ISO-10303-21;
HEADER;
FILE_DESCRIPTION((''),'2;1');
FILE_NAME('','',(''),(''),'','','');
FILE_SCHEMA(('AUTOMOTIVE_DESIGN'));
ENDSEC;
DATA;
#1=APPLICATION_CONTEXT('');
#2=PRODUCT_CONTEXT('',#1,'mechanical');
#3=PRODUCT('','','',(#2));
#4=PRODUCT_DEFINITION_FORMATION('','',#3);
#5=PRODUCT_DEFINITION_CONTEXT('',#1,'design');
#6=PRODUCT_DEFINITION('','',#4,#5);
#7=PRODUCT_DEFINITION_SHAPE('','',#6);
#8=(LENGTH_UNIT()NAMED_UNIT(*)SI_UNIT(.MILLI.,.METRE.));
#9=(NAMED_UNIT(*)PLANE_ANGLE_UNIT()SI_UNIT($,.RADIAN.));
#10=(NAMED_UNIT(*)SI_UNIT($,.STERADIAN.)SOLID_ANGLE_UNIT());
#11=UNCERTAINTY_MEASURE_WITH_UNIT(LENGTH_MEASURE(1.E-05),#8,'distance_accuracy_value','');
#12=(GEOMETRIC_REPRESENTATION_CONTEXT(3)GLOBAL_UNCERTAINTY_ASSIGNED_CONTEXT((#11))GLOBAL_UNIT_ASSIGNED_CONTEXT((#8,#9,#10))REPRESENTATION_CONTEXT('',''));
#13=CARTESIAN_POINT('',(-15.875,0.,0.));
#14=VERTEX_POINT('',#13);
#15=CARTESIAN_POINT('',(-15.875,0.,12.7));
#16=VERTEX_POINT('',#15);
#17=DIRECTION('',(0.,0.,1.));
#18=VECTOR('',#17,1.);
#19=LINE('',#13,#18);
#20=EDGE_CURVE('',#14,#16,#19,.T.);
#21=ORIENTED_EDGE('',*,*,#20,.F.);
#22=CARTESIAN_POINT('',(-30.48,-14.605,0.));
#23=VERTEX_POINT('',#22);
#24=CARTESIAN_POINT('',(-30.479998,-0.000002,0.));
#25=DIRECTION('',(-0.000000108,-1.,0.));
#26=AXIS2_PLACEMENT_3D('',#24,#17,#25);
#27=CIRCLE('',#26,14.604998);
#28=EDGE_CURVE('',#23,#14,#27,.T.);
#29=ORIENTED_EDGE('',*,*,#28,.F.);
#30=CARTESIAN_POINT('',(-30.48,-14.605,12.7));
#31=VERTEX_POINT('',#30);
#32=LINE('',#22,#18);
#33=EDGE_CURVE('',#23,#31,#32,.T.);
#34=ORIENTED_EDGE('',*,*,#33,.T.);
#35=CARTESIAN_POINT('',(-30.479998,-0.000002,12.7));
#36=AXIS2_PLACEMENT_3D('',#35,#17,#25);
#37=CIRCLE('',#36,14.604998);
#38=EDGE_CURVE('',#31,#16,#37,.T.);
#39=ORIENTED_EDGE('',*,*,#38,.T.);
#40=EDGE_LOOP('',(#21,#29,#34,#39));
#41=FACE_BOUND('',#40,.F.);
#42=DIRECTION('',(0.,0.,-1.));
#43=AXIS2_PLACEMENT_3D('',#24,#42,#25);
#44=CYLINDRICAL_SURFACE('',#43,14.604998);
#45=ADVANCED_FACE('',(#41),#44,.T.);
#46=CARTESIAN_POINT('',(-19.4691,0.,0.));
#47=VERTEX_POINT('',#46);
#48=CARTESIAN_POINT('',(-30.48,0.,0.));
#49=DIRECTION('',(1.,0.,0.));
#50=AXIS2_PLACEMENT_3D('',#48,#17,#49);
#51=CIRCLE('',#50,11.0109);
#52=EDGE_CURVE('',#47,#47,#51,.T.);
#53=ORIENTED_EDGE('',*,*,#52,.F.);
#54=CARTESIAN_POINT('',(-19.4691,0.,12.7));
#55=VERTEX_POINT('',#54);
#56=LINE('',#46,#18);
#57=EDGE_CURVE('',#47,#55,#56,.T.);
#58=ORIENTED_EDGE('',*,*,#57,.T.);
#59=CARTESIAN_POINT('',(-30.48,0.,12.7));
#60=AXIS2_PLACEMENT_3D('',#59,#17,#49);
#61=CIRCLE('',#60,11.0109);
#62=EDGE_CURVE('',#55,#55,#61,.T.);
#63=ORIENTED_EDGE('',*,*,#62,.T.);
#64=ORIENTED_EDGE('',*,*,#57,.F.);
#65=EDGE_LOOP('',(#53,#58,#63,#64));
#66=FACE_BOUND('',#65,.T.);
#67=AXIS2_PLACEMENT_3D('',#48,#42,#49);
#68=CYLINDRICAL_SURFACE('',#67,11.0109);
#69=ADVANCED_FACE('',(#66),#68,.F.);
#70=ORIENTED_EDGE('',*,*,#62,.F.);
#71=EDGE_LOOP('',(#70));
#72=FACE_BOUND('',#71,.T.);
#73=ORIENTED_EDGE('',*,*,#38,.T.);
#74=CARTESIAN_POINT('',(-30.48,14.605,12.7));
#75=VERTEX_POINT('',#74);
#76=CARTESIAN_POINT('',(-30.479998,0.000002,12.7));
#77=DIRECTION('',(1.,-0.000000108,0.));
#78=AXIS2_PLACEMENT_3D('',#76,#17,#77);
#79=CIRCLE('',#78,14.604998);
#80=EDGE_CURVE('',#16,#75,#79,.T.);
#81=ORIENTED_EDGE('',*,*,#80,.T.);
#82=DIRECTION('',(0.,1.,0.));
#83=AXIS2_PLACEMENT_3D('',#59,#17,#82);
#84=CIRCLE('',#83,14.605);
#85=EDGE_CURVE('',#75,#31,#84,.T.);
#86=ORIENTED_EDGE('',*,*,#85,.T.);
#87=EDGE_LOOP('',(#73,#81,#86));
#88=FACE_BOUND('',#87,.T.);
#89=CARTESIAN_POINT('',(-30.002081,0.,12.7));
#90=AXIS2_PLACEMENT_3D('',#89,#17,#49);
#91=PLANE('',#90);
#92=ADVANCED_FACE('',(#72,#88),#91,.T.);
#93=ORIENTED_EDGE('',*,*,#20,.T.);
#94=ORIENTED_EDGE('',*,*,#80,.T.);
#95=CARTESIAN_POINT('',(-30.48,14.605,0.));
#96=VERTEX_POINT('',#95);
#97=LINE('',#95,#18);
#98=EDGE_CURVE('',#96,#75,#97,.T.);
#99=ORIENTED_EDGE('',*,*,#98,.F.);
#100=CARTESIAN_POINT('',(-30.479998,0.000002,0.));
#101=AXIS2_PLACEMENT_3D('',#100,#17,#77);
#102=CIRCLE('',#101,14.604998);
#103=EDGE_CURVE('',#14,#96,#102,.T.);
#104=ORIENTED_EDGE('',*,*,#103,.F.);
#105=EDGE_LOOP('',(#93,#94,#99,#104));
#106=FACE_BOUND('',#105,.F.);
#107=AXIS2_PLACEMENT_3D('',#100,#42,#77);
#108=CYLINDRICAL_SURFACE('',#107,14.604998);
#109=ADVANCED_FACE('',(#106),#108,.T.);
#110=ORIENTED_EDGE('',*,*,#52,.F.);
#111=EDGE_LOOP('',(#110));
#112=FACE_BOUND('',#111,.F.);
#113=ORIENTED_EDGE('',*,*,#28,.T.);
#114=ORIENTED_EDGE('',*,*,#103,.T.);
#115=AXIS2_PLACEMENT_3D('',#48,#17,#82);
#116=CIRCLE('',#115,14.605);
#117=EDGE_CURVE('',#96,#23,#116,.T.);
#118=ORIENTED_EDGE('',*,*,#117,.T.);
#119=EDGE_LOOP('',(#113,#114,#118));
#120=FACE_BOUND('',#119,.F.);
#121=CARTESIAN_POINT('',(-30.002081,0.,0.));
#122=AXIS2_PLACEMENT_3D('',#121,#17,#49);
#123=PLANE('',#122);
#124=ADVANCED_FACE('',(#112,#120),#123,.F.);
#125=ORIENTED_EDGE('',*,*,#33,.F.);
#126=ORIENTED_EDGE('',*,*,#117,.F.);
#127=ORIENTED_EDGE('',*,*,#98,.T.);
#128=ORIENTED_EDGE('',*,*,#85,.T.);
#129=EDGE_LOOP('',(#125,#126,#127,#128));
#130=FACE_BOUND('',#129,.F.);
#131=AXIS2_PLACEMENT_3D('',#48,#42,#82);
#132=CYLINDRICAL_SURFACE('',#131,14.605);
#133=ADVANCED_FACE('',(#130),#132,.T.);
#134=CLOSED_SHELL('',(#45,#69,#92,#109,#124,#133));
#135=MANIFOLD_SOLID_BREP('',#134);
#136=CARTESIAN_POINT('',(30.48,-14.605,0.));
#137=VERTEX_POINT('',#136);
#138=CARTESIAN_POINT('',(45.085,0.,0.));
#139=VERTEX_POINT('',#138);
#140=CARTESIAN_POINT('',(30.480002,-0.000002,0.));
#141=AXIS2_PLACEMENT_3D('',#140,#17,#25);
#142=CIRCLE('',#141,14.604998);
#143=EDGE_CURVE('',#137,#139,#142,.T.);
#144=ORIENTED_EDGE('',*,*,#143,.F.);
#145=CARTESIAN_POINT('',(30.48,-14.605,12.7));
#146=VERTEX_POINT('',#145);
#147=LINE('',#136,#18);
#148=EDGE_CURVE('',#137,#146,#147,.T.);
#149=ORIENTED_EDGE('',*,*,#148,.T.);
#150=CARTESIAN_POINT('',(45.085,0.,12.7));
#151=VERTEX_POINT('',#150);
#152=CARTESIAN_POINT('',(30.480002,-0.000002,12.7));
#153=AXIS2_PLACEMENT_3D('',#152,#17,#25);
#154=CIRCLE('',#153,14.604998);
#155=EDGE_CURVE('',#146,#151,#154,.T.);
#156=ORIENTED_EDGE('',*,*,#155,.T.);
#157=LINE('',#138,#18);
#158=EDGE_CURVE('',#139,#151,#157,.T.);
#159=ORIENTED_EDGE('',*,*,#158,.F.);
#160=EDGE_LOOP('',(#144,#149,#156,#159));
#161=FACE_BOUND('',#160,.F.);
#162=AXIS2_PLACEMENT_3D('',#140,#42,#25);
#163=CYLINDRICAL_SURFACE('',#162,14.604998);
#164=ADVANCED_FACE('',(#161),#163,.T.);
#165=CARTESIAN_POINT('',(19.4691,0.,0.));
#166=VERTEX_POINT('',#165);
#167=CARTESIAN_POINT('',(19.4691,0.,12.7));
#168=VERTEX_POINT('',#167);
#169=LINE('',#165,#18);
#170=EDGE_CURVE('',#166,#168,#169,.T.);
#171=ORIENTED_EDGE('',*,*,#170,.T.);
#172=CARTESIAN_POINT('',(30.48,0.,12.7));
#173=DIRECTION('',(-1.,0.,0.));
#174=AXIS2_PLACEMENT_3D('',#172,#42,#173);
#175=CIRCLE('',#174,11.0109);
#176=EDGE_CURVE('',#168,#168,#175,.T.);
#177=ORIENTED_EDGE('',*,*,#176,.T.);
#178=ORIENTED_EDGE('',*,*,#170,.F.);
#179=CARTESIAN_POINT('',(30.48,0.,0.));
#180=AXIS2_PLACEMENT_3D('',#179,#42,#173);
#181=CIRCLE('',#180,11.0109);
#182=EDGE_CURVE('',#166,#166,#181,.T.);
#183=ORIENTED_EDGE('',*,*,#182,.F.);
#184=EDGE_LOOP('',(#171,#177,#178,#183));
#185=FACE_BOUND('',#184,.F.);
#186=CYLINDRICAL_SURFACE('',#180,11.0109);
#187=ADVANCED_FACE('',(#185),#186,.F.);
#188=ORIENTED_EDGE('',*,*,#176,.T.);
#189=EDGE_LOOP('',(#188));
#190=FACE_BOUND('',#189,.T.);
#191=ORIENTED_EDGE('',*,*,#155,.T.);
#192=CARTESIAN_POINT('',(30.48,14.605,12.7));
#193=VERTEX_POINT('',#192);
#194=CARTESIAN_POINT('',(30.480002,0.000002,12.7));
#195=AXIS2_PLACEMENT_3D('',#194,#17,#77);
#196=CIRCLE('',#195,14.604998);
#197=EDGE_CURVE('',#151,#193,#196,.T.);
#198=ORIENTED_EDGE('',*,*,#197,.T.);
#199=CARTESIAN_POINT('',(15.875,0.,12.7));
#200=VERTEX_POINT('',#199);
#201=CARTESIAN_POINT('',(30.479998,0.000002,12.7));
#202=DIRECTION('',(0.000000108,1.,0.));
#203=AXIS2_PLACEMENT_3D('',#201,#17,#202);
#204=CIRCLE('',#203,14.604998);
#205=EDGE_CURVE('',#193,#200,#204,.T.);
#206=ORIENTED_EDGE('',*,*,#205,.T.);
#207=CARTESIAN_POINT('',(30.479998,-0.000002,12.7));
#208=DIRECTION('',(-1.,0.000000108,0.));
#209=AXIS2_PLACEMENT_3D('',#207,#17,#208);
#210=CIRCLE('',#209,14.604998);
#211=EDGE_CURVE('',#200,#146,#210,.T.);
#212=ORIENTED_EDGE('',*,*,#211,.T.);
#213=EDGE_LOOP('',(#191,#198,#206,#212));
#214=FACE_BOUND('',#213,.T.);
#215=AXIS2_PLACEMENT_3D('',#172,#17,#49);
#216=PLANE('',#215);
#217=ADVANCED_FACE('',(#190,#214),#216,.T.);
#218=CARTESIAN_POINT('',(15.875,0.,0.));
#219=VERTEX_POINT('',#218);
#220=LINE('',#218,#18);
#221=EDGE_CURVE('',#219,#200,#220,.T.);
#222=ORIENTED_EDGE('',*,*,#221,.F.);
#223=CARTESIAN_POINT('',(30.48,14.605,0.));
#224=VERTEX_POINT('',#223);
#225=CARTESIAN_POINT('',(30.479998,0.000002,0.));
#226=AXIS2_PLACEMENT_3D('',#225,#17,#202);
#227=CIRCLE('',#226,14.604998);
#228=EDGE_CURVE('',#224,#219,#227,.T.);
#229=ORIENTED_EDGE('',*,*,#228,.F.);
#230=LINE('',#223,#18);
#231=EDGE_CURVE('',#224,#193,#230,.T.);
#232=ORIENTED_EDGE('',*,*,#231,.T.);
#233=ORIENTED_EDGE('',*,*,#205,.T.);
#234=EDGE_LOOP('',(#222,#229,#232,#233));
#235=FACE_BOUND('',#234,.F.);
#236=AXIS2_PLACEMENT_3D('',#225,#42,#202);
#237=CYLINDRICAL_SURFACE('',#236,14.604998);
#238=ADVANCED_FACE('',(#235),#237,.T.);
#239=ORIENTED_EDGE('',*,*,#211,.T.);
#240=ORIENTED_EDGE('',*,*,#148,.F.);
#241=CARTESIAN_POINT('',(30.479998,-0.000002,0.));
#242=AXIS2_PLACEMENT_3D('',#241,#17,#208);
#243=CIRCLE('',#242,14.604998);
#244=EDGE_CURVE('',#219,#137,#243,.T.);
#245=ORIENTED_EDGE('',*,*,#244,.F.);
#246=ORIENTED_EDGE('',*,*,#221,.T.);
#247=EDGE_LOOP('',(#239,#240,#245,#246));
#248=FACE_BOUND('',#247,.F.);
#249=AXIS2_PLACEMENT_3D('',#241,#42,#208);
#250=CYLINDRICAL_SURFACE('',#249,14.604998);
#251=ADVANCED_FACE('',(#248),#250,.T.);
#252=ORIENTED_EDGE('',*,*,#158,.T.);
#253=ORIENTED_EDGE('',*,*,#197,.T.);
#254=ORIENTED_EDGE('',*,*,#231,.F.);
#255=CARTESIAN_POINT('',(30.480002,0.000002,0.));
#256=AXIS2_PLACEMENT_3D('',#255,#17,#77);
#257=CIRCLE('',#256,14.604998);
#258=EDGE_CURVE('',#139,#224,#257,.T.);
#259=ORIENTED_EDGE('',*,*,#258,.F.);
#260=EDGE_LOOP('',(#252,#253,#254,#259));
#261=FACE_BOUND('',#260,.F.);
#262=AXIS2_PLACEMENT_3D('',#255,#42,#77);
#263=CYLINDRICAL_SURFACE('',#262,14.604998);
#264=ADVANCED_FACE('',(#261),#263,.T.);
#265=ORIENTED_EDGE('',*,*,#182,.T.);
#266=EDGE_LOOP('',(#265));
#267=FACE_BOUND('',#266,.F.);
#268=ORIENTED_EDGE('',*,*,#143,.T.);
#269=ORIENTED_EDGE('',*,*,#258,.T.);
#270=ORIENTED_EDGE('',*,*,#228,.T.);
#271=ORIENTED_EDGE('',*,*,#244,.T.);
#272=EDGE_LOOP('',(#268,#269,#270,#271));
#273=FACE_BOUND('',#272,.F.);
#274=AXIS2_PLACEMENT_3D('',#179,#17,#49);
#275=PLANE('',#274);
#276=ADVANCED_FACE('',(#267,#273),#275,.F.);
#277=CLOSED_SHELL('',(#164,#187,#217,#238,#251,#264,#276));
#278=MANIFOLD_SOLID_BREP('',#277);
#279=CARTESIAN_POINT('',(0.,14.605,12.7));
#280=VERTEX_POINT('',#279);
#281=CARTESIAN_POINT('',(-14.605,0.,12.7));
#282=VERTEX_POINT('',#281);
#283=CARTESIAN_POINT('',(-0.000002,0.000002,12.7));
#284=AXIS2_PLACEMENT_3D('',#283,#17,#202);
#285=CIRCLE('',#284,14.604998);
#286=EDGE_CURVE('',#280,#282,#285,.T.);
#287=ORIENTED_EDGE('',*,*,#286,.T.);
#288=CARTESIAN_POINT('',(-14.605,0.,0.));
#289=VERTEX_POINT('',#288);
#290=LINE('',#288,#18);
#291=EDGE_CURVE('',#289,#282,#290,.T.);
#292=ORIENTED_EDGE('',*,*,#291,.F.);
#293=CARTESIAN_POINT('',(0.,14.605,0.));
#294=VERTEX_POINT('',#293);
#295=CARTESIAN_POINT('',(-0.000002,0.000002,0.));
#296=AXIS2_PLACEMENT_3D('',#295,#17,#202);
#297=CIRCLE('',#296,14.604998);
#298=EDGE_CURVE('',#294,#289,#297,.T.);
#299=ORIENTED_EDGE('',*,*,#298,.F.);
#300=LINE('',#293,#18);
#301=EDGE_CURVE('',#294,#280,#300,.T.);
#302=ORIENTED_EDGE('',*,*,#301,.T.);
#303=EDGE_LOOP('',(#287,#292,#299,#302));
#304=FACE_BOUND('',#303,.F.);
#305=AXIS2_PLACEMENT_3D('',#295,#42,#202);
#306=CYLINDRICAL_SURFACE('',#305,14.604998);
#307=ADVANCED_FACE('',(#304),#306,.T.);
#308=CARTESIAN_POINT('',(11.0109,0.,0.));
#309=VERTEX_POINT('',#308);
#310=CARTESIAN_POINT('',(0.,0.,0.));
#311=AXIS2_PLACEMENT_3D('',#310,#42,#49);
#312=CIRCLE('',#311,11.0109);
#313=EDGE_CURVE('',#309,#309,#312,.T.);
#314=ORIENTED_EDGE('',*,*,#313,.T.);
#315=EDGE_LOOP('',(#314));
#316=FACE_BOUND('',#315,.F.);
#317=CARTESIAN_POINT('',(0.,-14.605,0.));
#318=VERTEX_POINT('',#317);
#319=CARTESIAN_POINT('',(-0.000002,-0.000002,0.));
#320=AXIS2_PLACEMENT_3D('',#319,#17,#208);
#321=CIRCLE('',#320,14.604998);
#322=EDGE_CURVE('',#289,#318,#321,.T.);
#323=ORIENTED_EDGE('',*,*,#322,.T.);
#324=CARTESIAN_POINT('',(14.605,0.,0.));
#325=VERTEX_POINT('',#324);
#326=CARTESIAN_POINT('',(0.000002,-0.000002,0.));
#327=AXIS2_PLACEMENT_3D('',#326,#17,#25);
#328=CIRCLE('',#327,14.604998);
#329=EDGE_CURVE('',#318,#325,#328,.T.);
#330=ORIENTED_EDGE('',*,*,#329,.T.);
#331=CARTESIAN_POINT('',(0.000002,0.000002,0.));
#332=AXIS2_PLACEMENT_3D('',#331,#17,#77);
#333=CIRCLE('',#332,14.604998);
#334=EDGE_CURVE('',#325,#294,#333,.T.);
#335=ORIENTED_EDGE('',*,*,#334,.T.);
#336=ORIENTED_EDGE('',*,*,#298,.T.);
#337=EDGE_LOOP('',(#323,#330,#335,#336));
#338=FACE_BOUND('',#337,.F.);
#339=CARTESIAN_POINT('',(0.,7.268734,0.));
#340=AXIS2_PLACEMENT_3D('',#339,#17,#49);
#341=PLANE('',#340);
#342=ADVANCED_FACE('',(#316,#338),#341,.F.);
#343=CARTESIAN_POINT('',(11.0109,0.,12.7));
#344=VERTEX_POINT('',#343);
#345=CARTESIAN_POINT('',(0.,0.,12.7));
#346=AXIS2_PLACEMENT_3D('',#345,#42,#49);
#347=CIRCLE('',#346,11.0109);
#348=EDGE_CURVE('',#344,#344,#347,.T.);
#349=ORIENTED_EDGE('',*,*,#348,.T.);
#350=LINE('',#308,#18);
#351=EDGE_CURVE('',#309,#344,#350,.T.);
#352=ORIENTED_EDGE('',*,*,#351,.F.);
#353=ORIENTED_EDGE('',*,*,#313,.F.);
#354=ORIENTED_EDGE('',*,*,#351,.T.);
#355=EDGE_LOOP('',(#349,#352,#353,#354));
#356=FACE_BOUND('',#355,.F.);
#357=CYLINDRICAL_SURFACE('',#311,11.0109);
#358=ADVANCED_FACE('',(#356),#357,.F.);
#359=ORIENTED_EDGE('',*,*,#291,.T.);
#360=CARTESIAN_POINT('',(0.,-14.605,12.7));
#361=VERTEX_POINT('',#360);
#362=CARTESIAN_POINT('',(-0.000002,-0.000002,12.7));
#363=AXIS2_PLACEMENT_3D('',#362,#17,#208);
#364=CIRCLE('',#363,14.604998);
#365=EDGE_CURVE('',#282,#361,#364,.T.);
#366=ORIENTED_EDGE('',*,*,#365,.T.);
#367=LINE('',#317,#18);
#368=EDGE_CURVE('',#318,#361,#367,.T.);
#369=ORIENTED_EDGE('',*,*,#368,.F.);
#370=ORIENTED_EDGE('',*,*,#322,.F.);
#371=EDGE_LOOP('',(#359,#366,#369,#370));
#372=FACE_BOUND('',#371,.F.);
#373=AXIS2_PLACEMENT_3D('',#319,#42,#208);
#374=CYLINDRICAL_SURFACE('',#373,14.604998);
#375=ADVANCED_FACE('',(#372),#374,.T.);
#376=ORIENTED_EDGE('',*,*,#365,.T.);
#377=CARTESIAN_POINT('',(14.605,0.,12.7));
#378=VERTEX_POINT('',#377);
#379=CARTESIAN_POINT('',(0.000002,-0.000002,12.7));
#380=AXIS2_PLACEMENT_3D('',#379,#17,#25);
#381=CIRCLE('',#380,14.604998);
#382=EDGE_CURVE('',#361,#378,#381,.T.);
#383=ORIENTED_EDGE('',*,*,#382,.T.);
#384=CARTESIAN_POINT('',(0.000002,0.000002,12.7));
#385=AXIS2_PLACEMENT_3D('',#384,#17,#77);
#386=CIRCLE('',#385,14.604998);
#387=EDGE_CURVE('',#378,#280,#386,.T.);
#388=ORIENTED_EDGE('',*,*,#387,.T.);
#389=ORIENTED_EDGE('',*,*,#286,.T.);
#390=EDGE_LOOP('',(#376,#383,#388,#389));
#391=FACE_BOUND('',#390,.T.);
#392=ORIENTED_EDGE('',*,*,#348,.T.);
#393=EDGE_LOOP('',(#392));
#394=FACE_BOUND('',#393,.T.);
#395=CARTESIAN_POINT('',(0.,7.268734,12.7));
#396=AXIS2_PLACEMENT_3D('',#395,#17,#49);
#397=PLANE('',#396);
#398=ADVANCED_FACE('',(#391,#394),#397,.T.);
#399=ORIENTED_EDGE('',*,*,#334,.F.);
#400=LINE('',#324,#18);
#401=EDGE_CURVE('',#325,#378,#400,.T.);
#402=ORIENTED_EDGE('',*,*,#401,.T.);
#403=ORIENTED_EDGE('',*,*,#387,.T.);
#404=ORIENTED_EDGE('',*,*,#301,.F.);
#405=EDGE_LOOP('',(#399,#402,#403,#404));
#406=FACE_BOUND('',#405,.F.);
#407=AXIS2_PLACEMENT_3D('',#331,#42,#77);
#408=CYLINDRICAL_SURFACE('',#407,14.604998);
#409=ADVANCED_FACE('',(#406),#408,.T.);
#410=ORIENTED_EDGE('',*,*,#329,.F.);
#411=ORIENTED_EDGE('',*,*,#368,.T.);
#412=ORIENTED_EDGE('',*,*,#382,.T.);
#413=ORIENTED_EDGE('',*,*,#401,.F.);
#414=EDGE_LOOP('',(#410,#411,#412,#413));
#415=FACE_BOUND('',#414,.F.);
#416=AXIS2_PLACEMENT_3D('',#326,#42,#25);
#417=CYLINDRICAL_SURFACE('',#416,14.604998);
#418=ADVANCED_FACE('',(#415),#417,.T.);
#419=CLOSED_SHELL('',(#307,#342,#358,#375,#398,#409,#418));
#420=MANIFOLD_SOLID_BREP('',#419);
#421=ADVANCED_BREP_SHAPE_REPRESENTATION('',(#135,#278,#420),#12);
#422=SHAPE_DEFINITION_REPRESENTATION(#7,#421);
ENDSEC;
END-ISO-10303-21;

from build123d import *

# Parameters (mm, degrees)
F0_R     = 11.0109
F1_DEPTH = 12.7


with BuildPart() as f1:
    # F0 (on Top) → F1 (new body)
    with BuildSketch(Plane.XY):
        with BuildLine():
            ThreePointArc((-30.48, -14.605), (-20.152705, -10.327295), (-15.875, 0))
            ThreePointArc((-15.875, 0), (-20.152705, 10.327295), (-30.48, 14.605))
            ThreePointArc((-30.48, 14.605), (-45.085, 0), (-30.48, -14.605))
        make_face()
        with Locations((-30.48, 0)):
            Circle(F0_R, mode=Mode.SUBTRACT)
        with BuildLine():
            ThreePointArc((-11.0109, 0), (0, 11.0109), (11.0109, 0))
            Line((11.0109, 0), (14.605, 0))
            ThreePointArc((14.605, 0), (10.327295, 10.327295), (0, 14.605))
            ThreePointArc((0, 14.605), (-10.327295, 10.327295), (-14.605, 0))
            Line((-14.605, 0), (-11.0109, 0))
        make_face()
        with BuildLine():
            Line((14.605, 0), (11.0109, 0))
            ThreePointArc((11.0109, 0), (0, -11.0109), (-11.0109, 0))
            Line((-11.0109, 0), (-14.605, 0))
            ThreePointArc((-14.605, 0), (-10.327295, -10.327295), (0, -14.605))
            ThreePointArc((0, -14.605), (10.327295, -10.327295), (14.605, 0))
        make_face()
        with BuildLine():
            ThreePointArc((30.48, 14.605), (20.152705, 10.327295), (15.875, 0))
            ThreePointArc((15.875, 0), (20.152705, -10.327295), (30.48, -14.605))
            ThreePointArc((30.48, -14.605), (40.807295, -10.327295), (45.085, 0))
            ThreePointArc((45.085, 0), (40.807295, 10.327295), (30.48, 14.605))
        make_face()
        with BuildLine():
            ThreePointArc((41.4909, 0), (30.48, -11.0109), (19.4691, 0))
            ThreePointArc((19.4691, 0), (30.48, 11.0109), (41.4909, 0))
        make_face(mode=Mode.SUBTRACT)
    extrude(amount=F1_DEPTH)


solid = f1.part
